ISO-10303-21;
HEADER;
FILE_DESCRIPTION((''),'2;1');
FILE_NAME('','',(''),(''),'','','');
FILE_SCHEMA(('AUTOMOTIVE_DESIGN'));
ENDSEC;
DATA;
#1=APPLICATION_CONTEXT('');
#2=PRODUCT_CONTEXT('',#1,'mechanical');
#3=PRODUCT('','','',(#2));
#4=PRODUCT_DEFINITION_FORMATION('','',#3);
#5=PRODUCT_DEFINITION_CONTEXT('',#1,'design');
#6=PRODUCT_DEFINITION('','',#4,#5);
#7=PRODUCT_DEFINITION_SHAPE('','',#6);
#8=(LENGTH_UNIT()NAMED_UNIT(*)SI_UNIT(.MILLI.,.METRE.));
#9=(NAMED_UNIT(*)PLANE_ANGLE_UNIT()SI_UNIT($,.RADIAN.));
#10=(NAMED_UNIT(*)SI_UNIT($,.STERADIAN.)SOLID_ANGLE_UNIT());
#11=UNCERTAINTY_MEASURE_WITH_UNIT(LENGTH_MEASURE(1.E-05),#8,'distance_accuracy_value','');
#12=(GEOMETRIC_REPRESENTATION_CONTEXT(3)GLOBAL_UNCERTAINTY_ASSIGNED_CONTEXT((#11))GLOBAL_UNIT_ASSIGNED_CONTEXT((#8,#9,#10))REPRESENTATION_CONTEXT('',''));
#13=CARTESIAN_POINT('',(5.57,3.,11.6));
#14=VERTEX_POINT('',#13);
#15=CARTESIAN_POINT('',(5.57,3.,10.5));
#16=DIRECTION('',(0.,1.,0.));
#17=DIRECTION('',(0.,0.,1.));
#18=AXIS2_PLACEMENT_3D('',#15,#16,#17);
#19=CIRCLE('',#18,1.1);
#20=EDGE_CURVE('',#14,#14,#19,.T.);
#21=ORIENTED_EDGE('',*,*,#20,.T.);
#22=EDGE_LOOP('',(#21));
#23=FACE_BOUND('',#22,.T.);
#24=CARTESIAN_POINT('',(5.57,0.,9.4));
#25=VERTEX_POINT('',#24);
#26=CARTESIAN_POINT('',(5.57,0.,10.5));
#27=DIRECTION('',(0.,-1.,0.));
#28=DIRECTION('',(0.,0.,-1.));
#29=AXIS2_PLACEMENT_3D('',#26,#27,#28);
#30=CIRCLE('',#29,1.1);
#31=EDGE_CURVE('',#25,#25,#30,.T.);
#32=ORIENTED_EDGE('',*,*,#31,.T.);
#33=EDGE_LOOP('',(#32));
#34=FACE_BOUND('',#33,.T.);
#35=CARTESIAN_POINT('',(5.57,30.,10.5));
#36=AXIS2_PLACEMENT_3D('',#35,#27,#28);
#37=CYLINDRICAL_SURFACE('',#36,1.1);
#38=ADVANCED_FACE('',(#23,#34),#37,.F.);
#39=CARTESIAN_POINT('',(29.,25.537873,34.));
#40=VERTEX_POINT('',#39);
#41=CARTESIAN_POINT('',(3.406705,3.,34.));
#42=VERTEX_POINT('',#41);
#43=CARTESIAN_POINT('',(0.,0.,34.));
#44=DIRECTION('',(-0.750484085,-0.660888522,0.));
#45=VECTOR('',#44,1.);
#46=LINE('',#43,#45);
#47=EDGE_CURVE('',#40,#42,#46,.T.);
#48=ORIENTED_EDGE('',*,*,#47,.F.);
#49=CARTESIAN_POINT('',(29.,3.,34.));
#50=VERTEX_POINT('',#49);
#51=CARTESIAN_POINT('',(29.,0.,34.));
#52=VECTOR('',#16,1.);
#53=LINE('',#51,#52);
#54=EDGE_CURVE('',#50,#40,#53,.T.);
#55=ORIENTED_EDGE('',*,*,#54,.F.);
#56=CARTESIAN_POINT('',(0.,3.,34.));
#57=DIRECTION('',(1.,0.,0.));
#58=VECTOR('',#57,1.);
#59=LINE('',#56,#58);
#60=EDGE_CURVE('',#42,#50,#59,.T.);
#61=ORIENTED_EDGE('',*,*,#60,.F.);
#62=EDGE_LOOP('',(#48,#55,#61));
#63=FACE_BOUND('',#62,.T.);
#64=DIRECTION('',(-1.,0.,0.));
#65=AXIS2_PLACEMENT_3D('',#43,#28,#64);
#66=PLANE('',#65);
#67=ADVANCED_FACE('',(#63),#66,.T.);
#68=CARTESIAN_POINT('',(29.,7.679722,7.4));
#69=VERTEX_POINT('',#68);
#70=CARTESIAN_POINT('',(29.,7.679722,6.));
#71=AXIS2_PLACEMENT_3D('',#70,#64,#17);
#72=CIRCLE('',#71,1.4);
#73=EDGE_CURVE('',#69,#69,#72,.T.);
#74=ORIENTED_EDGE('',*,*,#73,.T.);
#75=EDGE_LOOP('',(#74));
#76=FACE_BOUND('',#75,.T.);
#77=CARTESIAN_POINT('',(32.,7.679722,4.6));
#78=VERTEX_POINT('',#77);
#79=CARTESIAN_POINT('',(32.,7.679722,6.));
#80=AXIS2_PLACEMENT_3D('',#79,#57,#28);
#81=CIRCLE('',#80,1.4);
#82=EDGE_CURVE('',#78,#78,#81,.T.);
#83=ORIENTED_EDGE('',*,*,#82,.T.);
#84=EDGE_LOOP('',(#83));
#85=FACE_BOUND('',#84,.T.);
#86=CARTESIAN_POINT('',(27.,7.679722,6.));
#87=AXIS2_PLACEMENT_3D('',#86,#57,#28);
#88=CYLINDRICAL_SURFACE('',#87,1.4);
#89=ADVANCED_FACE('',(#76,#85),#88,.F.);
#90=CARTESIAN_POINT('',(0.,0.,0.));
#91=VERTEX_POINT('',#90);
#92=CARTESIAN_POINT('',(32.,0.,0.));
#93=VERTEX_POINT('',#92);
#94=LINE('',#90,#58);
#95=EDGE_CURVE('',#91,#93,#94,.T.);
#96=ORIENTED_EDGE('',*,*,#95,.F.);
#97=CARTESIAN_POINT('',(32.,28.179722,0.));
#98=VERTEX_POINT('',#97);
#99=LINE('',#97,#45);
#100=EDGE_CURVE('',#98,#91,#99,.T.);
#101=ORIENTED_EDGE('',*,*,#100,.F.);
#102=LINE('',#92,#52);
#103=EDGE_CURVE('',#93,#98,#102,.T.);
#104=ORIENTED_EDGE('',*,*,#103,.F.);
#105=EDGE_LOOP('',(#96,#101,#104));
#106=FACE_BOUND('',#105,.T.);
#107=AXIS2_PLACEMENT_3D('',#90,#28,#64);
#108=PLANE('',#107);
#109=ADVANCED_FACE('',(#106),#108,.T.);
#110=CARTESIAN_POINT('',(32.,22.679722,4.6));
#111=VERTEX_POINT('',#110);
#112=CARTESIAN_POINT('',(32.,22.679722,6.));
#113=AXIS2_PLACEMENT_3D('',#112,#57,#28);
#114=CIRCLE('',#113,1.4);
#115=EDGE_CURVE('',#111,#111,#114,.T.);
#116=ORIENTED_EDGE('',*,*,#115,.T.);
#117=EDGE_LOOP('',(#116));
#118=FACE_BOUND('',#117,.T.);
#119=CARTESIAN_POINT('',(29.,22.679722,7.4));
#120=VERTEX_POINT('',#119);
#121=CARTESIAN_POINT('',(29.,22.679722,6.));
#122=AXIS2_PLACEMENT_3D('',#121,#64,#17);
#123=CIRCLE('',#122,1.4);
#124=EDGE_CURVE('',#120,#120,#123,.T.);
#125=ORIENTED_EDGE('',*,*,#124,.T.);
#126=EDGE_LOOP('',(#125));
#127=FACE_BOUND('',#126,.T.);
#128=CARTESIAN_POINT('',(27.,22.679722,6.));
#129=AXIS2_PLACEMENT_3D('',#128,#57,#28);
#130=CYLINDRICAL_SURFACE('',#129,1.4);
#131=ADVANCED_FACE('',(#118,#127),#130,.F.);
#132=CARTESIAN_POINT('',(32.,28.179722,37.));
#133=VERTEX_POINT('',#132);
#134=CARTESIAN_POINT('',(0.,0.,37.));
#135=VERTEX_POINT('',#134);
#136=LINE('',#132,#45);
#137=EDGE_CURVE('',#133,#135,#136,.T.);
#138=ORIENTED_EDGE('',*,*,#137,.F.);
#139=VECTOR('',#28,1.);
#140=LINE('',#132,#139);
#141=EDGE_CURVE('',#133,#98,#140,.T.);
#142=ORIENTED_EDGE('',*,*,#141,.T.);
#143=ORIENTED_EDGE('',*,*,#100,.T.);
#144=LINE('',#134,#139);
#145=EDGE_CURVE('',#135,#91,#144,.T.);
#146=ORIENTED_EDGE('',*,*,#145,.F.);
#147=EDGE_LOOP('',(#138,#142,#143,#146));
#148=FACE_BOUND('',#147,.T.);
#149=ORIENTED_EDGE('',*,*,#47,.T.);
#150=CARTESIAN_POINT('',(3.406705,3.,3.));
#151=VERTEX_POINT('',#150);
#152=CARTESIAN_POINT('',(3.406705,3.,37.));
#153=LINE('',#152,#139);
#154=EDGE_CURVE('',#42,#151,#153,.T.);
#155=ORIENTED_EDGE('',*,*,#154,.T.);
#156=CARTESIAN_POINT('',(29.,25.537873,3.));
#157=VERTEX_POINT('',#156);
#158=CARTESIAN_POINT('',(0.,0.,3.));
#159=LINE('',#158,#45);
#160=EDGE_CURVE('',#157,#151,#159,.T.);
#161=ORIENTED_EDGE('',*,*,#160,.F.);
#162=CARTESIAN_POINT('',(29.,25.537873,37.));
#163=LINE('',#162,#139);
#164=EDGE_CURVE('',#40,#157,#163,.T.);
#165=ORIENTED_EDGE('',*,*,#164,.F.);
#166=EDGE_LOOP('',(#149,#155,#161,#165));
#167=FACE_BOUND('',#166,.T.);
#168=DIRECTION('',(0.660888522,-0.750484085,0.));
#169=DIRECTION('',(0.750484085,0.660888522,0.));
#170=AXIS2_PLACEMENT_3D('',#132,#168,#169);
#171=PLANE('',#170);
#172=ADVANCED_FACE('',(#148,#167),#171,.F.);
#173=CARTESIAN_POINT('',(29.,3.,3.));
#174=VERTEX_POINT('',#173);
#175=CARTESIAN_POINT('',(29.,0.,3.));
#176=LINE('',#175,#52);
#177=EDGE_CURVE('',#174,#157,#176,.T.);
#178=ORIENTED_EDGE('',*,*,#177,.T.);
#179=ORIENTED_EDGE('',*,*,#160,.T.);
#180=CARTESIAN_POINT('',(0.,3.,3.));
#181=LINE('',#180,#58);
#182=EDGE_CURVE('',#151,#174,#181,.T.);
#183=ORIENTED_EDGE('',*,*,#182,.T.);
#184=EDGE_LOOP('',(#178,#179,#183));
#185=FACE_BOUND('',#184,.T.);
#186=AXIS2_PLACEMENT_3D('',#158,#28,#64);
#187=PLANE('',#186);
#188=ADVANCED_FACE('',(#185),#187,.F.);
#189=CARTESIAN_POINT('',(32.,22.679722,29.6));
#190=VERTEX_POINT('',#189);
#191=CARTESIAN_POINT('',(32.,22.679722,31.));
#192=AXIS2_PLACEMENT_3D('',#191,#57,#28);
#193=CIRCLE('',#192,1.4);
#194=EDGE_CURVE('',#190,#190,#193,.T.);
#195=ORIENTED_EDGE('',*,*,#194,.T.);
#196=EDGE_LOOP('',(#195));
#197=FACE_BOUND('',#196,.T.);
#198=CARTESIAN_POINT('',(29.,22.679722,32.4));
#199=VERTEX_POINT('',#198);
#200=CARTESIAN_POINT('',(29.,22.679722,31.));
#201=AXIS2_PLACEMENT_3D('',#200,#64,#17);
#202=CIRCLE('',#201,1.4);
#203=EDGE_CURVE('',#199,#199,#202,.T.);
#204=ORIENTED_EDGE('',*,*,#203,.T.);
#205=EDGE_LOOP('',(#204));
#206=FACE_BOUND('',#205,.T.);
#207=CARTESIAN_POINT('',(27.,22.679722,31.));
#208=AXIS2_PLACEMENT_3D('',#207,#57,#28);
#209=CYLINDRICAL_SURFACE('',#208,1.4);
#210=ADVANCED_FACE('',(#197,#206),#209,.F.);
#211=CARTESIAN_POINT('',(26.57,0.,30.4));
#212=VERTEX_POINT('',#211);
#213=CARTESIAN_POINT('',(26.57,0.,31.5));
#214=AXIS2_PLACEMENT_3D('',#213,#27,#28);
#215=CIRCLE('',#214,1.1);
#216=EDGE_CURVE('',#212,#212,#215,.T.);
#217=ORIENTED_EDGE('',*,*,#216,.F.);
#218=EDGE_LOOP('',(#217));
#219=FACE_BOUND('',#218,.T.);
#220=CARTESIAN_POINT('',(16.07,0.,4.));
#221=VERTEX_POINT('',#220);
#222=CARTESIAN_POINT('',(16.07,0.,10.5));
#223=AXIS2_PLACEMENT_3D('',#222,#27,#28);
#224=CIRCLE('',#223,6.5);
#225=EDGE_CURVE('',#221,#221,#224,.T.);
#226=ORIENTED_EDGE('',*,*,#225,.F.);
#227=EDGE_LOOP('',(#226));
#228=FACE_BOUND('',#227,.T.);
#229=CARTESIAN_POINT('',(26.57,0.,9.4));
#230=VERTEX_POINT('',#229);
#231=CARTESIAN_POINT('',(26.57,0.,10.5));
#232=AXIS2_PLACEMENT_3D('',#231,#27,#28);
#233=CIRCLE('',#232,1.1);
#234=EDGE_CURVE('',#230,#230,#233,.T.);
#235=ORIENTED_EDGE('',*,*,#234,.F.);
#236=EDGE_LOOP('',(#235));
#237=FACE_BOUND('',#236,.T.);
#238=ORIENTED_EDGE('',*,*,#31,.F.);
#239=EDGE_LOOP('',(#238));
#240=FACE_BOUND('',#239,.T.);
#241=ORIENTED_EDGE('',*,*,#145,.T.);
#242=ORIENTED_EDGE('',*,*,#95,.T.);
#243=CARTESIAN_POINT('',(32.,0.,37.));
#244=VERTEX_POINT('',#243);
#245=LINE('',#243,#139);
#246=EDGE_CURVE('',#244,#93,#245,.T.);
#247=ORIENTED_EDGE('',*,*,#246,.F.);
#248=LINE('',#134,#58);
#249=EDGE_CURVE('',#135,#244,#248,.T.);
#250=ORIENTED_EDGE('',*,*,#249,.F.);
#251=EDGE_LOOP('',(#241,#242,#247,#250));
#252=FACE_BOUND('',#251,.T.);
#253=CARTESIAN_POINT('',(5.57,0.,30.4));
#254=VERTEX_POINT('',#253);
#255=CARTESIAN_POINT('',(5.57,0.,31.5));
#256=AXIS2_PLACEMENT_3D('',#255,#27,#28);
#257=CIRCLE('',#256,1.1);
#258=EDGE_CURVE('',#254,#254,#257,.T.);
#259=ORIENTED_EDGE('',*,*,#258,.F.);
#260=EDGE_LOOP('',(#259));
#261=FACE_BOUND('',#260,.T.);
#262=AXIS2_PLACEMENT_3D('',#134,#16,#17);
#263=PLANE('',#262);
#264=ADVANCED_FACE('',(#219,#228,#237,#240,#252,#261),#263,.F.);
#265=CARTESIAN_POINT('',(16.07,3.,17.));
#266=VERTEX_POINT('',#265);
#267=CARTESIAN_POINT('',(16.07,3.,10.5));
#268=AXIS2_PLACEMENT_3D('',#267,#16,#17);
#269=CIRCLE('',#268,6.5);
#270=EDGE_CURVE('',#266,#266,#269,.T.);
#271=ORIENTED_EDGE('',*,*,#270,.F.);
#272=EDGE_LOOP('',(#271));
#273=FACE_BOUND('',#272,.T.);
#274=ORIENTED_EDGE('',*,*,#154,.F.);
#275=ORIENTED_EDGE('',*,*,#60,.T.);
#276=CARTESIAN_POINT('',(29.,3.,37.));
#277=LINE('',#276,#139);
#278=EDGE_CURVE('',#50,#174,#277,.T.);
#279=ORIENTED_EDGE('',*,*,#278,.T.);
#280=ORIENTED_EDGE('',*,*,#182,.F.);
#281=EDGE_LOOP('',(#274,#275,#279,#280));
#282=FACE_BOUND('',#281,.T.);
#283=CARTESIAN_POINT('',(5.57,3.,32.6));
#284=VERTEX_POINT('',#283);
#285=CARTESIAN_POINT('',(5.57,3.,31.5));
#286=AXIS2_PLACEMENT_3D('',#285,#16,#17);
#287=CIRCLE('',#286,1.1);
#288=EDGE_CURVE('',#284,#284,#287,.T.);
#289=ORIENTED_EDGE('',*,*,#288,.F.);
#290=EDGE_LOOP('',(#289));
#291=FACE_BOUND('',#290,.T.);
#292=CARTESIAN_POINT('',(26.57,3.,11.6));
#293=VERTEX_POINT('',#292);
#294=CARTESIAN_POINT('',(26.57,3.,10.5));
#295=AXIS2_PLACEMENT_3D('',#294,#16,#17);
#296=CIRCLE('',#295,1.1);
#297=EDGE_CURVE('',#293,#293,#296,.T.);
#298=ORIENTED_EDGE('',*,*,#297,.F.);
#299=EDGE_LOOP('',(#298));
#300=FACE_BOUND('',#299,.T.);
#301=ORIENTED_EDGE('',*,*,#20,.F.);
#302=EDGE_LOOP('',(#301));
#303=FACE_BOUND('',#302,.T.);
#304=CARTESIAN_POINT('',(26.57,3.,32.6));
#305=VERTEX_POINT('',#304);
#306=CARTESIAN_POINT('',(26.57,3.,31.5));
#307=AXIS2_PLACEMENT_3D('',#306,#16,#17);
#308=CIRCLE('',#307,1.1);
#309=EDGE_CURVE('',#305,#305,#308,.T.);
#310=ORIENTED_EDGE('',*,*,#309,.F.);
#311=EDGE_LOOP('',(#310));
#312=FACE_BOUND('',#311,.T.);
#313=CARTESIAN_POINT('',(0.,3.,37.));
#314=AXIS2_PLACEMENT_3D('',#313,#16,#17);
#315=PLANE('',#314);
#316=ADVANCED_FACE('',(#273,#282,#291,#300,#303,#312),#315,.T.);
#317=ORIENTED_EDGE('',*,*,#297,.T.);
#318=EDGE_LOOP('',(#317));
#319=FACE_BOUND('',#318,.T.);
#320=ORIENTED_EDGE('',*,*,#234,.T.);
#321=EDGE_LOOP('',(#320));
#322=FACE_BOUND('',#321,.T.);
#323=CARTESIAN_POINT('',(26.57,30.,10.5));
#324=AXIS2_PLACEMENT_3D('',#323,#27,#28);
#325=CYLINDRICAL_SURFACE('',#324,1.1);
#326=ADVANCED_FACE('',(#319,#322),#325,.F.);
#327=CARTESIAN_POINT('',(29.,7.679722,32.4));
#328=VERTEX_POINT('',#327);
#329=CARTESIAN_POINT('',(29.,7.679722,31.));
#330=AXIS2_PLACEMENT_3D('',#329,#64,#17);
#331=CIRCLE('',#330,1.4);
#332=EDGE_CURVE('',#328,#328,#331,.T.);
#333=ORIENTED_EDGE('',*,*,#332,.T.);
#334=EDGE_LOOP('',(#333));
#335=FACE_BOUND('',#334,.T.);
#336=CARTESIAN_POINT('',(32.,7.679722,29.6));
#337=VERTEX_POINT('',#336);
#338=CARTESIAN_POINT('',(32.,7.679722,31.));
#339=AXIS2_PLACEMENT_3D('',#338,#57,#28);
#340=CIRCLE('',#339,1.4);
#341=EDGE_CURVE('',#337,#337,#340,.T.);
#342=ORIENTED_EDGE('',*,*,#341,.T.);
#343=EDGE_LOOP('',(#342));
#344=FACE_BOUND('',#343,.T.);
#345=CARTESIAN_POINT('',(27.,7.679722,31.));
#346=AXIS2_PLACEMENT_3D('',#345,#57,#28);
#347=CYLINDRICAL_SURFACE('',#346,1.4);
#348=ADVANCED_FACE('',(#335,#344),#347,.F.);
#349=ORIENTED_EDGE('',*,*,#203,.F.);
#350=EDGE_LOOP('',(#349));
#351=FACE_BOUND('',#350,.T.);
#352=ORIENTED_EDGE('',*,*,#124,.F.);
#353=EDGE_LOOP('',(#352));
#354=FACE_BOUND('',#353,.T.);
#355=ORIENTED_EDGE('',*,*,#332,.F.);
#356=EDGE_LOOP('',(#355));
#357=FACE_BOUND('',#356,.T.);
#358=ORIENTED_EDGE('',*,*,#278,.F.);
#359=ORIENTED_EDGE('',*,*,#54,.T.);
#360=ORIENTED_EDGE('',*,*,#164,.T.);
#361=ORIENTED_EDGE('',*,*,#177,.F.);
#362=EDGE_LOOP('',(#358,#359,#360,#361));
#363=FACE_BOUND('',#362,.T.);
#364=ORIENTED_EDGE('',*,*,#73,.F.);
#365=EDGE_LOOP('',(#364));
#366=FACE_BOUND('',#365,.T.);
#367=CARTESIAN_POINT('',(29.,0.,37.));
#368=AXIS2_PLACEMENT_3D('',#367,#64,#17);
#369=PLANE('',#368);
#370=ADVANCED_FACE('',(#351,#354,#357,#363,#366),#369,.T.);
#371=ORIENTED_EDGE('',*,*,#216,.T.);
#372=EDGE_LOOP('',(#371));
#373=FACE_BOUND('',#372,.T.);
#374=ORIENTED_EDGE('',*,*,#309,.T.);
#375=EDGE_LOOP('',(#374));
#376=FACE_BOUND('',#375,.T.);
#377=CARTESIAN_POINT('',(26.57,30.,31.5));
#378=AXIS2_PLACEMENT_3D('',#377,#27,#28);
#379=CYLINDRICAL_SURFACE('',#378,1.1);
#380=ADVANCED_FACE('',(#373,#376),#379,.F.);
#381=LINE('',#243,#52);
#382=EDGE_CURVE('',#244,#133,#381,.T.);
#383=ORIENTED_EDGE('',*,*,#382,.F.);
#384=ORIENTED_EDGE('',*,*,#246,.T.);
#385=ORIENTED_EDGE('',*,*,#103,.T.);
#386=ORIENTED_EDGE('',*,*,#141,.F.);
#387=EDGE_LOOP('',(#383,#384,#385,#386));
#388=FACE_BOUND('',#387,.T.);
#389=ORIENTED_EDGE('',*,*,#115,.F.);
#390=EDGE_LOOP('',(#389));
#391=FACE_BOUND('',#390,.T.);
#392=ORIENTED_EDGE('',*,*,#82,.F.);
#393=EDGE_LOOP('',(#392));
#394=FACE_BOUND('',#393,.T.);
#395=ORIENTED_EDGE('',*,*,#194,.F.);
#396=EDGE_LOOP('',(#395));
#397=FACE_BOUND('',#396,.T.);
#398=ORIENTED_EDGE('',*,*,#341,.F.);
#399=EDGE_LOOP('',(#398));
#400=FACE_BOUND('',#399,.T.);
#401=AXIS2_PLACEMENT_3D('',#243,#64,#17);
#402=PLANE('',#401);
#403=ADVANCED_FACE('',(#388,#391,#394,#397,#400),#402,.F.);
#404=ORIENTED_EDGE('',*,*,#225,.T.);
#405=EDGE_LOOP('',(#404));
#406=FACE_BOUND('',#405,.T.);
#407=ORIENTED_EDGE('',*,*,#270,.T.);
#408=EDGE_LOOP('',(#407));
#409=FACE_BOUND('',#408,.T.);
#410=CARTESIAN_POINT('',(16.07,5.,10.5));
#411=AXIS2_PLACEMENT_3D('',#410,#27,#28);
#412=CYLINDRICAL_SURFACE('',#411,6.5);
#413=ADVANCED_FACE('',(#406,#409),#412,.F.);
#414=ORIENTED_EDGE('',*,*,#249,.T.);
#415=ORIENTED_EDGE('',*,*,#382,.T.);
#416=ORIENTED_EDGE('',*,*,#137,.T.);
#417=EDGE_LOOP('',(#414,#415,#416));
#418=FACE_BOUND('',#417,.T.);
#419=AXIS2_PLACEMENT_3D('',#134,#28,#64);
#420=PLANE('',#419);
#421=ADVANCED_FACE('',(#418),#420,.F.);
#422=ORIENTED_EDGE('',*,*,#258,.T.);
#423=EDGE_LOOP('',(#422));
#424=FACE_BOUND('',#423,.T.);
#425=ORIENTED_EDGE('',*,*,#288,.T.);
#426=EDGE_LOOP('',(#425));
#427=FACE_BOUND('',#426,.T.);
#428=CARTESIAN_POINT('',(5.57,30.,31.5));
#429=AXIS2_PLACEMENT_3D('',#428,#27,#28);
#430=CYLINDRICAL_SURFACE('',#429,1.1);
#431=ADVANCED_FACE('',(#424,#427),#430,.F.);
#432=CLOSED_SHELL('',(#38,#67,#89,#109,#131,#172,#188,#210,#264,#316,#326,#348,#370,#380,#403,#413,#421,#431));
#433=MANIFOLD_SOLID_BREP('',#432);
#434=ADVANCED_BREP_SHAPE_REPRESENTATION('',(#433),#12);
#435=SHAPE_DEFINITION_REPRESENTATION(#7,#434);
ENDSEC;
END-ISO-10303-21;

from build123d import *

# Parameters (mm, degrees)
EXTRUDE_1_DEPTH     = 37
SHELL_1_T           = -3
SKETCH_2_R          = 1.1
CUT_EXTRUDE_1_DEPTH = 30
SKETCH_3_R          = 6.5
CUT_EXTRUDE_2_DEPTH = 5
SKETCH_4_R          = 1.4
CUT_EXTRUDE_3_DEPTH = 5


with BuildPart() as part:
    # ｽｹｯﾁ1 → ﾎﾞｽ - 押し出し1 (new body)
    with BuildSketch(Plane.XY):
        Polygon((0, 0), (32, 0), (32, 28.179721765), align=None)
    extrude(amount=EXTRUDE_1_DEPTH)

    # ｼｪﾙ1
    shell_1_openings = [part.faces().sort_by_distance(p)[0] for p in [
        (16, 14.089860882, 18.5),
    ]]
    offset(amount=SHELL_1_T, openings=shell_1_openings, kind=Kind.INTERSECTION)

    # ｽｹｯﾁ2 → ｶｯﾄ - 押し出し1 (cut)
    with BuildSketch(Plane.XZ):
        with Locations(Location((26.57, 10.5, 0), (0, 0, 270))):
            Circle(SKETCH_2_R)
        with Locations(Location((5.57, 10.5, 0), (0, 0, 270))):
            Circle(SKETCH_2_R)
        with Locations(Location((5.57, 31.5, 0), (0, 0, 270))):
            Circle(SKETCH_2_R)
        with Locations(Location((26.57, 31.5, 0), (0, 0, 270))):
            Circle(SKETCH_2_R)
    extrude(amount=-CUT_EXTRUDE_1_DEPTH, mode=Mode.SUBTRACT)

    # ｽｹｯﾁ3 → ｶｯﾄ - 押し出し2 (cut)
    with BuildSketch(Plane.XZ):
        with Locations(Location((16.07, 10.5, 0), (0, 0, 270))):
            Circle(SKETCH_3_R)
    extrude(amount=-CUT_EXTRUDE_2_DEPTH, mode=Mode.SUBTRACT)

    # ｽｹｯﾁ4 → ｶｯﾄ - 押し出し3 (cut)
    with BuildSketch(Plane(origin=(32, 0, 0), x_dir=(0, 0, -1), z_dir=(1, 0, 0))):
        with Locations((-6, 22.679721765)):
            Circle(SKETCH_4_R)
        with Locations((-31, 22.679721765)):
            Circle(SKETCH_4_R)
        with Locations((-31, 7.679721765)):
            Circle(SKETCH_4_R)
        with Locations((-6, 7.679721765)):
            Circle(SKETCH_4_R)
    extrude(amount=-CUT_EXTRUDE_3_DEPTH, mode=Mode.SUBTRACT)


solid = part.part
